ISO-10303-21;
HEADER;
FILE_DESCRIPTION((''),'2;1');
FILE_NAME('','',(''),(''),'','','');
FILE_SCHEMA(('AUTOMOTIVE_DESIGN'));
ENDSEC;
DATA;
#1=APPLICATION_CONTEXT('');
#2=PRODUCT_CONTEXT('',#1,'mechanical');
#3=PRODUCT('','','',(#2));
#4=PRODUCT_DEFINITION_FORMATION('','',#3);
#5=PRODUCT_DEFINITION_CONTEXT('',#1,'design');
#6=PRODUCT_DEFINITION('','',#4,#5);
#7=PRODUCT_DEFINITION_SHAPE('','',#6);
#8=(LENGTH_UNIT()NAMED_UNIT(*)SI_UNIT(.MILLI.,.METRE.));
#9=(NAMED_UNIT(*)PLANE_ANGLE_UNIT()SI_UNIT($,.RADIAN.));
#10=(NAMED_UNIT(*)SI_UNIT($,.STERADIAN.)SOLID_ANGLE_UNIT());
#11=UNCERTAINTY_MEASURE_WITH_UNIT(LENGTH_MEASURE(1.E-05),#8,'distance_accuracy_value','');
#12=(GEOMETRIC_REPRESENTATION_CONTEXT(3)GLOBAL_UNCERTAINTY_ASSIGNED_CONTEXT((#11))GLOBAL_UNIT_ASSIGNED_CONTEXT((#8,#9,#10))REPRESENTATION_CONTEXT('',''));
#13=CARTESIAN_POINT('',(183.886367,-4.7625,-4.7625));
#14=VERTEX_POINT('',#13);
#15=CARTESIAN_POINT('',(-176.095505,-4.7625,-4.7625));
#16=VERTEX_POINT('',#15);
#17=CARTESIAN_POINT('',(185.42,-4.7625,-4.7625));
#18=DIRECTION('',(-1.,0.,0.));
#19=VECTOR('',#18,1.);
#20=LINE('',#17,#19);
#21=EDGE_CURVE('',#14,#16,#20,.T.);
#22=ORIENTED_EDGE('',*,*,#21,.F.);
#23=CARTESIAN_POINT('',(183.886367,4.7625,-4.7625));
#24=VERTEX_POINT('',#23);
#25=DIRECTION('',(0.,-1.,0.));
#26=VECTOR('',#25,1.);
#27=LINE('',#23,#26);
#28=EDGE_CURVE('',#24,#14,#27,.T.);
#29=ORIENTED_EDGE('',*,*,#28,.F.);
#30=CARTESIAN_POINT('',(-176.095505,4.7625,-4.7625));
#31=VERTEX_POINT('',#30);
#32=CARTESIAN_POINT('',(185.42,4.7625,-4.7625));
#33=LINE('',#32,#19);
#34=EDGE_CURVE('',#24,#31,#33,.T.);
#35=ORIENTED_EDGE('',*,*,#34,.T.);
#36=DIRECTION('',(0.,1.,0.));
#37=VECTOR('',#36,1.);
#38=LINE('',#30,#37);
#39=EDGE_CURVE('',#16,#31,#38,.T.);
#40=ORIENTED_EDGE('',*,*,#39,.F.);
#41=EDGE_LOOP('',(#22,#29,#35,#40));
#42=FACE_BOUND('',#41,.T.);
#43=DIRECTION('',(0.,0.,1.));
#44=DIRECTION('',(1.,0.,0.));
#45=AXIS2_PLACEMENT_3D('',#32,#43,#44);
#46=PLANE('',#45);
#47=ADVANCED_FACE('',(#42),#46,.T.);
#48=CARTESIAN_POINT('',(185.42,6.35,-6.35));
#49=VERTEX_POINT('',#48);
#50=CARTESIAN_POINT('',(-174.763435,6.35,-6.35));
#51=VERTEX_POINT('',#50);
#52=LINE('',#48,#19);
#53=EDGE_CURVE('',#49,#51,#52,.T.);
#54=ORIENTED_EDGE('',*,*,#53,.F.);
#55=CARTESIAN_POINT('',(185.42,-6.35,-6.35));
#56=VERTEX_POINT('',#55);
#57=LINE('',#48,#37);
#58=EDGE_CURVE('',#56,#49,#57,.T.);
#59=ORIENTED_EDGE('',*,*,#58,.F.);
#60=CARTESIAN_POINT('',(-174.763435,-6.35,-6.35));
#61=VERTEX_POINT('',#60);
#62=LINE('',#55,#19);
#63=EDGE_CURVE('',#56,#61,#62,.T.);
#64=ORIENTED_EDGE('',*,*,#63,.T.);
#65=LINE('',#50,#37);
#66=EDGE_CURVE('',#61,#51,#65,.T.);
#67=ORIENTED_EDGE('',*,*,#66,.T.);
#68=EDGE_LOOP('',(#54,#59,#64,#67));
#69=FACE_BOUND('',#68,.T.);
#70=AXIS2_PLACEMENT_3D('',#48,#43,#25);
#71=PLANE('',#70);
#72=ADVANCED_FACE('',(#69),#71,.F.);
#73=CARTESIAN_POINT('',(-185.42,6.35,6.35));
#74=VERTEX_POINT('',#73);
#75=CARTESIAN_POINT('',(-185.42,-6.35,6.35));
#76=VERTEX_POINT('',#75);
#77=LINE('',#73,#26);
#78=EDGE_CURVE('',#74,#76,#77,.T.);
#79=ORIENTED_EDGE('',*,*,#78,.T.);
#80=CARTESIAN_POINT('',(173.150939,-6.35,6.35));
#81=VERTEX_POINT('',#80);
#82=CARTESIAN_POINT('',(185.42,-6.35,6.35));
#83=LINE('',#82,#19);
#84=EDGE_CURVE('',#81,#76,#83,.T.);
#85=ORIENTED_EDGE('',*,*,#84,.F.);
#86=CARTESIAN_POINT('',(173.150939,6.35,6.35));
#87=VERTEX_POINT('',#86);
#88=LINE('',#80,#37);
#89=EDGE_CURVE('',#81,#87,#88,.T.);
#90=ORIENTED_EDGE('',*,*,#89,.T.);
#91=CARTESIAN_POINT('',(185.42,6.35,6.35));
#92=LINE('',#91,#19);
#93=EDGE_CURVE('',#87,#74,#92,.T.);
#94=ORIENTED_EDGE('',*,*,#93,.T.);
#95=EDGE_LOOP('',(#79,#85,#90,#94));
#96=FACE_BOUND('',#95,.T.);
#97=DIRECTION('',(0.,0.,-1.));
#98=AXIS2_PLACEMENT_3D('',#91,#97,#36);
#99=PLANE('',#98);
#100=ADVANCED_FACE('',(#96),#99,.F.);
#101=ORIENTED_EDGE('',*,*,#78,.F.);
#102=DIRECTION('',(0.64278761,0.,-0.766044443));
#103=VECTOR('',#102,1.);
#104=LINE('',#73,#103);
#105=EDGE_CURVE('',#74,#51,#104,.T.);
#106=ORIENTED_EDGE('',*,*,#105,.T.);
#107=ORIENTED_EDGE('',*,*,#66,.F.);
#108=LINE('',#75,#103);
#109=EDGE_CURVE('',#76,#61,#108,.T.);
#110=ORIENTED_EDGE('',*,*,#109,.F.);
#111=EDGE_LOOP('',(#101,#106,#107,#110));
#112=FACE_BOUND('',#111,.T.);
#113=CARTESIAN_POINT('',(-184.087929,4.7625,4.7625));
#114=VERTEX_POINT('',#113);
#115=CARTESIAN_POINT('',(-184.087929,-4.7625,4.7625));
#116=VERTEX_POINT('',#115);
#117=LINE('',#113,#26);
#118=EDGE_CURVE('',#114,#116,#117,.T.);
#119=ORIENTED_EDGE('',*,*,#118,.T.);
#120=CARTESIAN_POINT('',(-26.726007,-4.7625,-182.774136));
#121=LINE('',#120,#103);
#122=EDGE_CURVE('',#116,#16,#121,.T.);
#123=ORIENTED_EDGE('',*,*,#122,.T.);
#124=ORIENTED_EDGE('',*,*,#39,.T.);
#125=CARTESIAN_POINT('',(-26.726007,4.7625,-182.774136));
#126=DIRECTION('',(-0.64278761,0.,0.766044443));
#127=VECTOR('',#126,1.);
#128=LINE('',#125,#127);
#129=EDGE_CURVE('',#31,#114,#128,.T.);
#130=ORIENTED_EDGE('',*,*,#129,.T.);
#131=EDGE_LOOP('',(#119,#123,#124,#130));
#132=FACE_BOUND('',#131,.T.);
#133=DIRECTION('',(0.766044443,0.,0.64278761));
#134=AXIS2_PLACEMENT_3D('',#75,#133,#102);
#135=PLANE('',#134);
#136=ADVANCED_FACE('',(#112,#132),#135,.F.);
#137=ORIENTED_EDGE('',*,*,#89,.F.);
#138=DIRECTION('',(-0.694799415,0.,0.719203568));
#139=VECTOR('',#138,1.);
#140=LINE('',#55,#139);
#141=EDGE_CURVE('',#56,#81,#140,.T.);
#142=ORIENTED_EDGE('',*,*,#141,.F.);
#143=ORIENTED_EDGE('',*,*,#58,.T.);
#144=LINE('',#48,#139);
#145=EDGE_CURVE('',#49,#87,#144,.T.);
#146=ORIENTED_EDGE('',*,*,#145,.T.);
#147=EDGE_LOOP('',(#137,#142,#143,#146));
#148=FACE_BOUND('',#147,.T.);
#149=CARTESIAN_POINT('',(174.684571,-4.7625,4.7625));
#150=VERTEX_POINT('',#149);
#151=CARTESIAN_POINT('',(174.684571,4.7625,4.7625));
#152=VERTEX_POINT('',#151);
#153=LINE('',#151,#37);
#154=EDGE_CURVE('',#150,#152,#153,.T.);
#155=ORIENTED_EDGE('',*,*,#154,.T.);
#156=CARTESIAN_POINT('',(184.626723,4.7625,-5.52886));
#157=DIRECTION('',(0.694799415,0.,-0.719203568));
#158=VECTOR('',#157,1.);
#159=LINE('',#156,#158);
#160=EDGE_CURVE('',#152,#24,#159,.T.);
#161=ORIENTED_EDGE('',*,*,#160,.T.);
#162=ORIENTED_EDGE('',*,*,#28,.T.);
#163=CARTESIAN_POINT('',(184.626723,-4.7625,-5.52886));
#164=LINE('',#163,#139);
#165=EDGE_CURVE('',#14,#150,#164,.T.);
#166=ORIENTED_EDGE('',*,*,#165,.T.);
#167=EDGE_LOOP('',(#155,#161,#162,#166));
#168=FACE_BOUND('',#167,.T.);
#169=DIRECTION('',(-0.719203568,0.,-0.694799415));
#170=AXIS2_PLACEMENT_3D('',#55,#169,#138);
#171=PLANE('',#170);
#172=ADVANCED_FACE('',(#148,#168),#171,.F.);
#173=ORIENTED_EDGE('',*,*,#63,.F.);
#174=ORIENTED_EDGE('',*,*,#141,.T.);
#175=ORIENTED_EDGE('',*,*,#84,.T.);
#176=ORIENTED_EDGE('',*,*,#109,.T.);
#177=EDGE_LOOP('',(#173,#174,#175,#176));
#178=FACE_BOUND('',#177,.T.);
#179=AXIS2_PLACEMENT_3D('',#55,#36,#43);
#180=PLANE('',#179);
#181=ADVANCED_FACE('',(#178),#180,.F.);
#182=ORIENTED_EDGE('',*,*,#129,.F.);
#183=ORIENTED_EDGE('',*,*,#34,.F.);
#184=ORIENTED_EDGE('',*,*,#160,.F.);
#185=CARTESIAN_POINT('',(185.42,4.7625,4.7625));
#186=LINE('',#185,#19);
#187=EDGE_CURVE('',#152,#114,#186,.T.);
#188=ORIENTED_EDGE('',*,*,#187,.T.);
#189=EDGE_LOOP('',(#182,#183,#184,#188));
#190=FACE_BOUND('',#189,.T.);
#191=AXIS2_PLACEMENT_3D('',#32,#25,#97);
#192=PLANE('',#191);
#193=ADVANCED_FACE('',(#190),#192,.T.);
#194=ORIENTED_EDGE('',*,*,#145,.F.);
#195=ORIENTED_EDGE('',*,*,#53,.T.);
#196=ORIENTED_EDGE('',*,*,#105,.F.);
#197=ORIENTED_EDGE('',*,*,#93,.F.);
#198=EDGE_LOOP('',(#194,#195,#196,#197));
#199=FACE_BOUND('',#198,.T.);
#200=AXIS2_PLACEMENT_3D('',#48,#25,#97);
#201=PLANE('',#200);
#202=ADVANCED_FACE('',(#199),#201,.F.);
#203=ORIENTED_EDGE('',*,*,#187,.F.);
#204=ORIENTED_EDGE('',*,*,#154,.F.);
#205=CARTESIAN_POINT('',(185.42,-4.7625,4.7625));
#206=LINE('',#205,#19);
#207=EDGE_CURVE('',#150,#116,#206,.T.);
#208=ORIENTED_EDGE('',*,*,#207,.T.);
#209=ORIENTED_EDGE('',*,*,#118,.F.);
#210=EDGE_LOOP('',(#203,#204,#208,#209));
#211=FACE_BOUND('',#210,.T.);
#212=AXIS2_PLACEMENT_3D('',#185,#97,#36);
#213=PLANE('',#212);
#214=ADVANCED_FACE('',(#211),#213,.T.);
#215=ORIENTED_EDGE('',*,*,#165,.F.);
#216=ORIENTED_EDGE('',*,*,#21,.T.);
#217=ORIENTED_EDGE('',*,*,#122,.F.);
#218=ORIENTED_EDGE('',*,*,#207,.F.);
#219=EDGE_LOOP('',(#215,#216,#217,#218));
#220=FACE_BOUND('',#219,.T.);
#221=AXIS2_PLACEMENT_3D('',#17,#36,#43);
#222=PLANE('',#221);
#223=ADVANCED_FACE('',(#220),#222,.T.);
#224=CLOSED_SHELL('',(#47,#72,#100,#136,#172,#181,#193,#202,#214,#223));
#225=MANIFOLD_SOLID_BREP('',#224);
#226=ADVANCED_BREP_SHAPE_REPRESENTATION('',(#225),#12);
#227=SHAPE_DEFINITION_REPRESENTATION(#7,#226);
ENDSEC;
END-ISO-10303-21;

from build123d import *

# Parameters (mm, degrees)
SKETCH1_W               = 12.7
SKETCH1_H               = 12.7
SKETCH1_W_2             = 9.525
SKETCH1_H_2             = 9.525
BOSS_EXTRUDE1_DEPTH     = 185.42
CUT_EXTRUDE1_DEPTH      = 186.637338378
CUT_EXTRUDE1_DEPTH_BACK = 186.637338378
CUT_EXTRUDE2_DEPTH      = 186.637338378
CUT_EXTRUDE2_DEPTH_BACK = 186.637338378


with BuildPart() as part:
    # Sketch1 → Boss-Extrude1 (new, symmetric)
    with BuildSketch(Plane(origin=(0, 0, 0), x_dir=(0, 0, -1), z_dir=(1, 0, 0))):
        Rectangle(SKETCH1_W, SKETCH1_H)
        Rectangle(SKETCH1_W_2, SKETCH1_H_2, mode=Mode.SUBTRACT)
    extrude(amount=BOSS_EXTRUDE1_DEPTH, both=True)

    # Sketch2 → Cut-Extrude1 (cut, two sides: drawn at the far end of the back side and taken through both)
    with BuildSketch(Plane(origin=(0, 0, 0), x_dir=(1, 0, 0), z_dir=(0, 1, 0)).offset(-CUT_EXTRUDE1_DEPTH_BACK)):
        Polygon((-185.42, -6.35), (-174.250456919, 6.961343094), (-183.078216502, 14.368712905), (-194.247759583, 1.057369811), align=None)
    extrude(amount=CUT_EXTRUDE1_DEPTH + CUT_EXTRUDE1_DEPTH_BACK, mode=Mode.SUBTRACT)

    # Sketch3 → Cut-Extrude2 (cut, two sides: drawn at the far end of the back side and taken through both)
    with BuildSketch(Plane(origin=(0, 0, 0), x_dir=(1, 0, 0), z_dir=(0, 1, 0)).offset(-CUT_EXTRUDE2_DEPTH_BACK)):
        Polygon((185.42, 6.35), (173.150938826, -6.35), (185.42, -6.35), align=None)
    extrude(amount=CUT_EXTRUDE2_DEPTH + CUT_EXTRUDE2_DEPTH_BACK, mode=Mode.SUBTRACT)


solid = part.part
